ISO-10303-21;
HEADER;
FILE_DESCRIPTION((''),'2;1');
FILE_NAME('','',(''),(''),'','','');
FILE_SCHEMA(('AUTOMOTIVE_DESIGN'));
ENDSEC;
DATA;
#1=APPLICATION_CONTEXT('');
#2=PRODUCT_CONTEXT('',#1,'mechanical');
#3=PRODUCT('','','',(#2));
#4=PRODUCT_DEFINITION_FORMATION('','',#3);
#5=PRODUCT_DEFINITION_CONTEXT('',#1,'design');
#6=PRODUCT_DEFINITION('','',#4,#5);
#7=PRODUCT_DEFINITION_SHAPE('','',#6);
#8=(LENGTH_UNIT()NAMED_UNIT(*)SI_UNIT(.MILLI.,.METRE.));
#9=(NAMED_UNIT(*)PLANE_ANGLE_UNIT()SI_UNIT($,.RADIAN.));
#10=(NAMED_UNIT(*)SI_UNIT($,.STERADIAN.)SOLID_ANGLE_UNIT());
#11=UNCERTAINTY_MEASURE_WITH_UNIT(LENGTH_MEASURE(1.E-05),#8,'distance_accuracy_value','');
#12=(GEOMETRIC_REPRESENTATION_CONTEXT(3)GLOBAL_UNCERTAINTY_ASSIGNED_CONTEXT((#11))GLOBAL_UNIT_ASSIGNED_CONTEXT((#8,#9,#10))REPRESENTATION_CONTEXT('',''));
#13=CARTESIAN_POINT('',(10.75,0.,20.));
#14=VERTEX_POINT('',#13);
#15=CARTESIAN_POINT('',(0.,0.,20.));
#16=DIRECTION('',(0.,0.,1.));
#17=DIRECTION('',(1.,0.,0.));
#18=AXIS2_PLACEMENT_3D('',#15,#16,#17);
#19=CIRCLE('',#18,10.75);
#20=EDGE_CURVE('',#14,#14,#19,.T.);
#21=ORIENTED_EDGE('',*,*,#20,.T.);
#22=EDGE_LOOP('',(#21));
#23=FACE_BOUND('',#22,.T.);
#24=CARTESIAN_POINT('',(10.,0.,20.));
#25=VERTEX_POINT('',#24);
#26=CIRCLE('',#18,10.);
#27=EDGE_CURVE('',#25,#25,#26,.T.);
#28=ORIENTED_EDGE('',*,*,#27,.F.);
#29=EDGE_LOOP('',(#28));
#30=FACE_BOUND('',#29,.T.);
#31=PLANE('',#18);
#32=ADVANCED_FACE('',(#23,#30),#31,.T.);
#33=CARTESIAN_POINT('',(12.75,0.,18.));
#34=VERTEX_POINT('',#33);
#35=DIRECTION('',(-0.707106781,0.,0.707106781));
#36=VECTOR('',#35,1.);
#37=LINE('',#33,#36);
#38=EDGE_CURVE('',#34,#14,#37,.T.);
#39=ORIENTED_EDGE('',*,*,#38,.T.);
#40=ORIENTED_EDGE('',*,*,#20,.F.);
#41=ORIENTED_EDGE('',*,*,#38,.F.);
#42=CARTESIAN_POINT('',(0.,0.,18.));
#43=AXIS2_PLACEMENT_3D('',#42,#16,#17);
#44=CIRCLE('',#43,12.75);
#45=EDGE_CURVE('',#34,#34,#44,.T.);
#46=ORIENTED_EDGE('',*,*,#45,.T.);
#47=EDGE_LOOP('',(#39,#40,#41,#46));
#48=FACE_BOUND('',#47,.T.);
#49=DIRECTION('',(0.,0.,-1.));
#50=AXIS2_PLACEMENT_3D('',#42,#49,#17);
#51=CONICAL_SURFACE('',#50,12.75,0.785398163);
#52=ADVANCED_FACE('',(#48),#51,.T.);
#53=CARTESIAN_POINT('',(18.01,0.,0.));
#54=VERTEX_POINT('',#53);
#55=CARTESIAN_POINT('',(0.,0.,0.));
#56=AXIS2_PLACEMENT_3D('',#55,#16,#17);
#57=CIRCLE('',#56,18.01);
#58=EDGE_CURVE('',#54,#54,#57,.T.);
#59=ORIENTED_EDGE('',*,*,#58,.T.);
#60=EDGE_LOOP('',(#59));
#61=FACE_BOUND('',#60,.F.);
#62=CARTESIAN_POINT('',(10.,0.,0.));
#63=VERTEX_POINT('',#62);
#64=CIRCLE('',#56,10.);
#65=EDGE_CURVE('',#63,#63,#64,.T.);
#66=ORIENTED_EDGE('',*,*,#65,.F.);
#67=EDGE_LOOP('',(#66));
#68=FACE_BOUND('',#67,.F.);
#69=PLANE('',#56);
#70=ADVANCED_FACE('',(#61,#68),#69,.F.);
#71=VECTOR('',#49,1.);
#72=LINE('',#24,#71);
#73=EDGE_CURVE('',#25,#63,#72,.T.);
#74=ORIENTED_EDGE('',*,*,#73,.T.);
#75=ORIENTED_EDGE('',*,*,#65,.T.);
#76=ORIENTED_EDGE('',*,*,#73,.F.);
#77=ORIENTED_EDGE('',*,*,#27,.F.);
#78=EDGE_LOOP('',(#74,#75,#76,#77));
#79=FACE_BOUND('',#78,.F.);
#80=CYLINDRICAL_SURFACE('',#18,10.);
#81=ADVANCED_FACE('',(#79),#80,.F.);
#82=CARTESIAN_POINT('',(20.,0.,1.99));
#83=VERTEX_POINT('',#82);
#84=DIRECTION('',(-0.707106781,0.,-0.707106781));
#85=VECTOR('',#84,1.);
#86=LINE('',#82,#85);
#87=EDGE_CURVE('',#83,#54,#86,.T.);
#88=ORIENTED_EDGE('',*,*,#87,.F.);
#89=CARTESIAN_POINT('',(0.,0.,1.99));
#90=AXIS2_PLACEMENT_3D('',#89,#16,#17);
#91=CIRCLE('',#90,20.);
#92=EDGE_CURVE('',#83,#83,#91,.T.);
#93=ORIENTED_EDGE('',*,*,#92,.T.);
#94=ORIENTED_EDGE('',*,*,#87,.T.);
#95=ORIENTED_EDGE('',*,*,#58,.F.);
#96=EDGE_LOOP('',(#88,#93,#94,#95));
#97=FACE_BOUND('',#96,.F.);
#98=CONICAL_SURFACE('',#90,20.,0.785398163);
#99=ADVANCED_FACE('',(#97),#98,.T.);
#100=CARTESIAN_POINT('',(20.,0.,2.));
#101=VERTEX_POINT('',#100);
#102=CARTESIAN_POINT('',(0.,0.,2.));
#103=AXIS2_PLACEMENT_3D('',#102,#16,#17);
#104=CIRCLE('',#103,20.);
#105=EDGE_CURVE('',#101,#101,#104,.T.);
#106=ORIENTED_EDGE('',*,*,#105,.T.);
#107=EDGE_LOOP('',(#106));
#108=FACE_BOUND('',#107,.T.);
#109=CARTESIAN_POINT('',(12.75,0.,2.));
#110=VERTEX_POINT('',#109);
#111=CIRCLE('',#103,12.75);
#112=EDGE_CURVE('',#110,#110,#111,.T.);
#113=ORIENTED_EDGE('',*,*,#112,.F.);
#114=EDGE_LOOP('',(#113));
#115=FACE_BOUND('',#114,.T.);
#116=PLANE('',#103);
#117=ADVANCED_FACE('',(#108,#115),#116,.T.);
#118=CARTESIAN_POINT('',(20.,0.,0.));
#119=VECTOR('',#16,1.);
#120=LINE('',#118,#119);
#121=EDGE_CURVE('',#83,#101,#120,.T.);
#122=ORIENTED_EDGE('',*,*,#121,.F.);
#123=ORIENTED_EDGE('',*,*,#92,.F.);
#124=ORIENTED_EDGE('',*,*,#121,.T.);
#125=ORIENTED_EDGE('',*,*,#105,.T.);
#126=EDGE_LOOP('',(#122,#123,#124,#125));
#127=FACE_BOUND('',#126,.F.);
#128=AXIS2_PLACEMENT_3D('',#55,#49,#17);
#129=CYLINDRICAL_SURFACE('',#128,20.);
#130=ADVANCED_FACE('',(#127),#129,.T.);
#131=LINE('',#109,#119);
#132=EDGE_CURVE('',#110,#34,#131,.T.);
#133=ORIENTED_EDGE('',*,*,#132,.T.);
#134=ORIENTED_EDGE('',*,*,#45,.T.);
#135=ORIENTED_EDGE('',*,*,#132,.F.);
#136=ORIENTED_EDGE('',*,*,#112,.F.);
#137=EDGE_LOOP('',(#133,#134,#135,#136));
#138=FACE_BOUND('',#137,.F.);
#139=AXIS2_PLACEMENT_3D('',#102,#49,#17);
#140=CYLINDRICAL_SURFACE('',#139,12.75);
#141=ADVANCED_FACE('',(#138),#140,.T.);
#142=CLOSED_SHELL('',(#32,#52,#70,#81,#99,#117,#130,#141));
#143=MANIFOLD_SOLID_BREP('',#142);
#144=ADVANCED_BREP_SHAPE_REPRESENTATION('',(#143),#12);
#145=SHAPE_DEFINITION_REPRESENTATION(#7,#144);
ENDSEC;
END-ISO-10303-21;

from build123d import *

# Parameters (mm, degrees)
SKETCH_R        = 20
PAD_DEPTH       = 2
SKETCH001_R     = 12.75
PAD001_DEPTH    = 18
SKETCH002_R     = 10
POCKET_DEPTH    = 20.001
CHAMFER_SIZE    = 2
CHAMFER001_SIZE = 1.99


with BuildPart() as part:
    # Sketch → Pad (new body)
    with BuildSketch(Plane.XY):
        Circle(SKETCH_R)
    extrude(amount=PAD_DEPTH)

    # Sketch001 (on Face3 of Pad) → Pad001 (join)
    with BuildSketch(Plane.XY.offset(2)):
        Circle(SKETCH001_R)
    extrude(amount=PAD001_DEPTH)

    # Sketch002 (on Face5 of Pad001) → Pocket (cut, through all)
    with BuildSketch(Plane.XY.offset(20)):
        Circle(SKETCH002_R)
    extrude(amount=-POCKET_DEPTH, mode=Mode.SUBTRACT)

    # Chamfer
    chamfer_edges = [part.edges().sort_by_distance(p)[0] for p in [
        (-12.75, 0, 20),
    ]]
    chamfer(chamfer_edges, length=CHAMFER_SIZE)

    # Chamfer001
    chamfer001_edges = [part.edges().sort_by_distance(p)[0] for p in [
        (-20, 0, 0),
    ]]
    chamfer(chamfer001_edges, length=CHAMFER001_SIZE)


solid = part.part
